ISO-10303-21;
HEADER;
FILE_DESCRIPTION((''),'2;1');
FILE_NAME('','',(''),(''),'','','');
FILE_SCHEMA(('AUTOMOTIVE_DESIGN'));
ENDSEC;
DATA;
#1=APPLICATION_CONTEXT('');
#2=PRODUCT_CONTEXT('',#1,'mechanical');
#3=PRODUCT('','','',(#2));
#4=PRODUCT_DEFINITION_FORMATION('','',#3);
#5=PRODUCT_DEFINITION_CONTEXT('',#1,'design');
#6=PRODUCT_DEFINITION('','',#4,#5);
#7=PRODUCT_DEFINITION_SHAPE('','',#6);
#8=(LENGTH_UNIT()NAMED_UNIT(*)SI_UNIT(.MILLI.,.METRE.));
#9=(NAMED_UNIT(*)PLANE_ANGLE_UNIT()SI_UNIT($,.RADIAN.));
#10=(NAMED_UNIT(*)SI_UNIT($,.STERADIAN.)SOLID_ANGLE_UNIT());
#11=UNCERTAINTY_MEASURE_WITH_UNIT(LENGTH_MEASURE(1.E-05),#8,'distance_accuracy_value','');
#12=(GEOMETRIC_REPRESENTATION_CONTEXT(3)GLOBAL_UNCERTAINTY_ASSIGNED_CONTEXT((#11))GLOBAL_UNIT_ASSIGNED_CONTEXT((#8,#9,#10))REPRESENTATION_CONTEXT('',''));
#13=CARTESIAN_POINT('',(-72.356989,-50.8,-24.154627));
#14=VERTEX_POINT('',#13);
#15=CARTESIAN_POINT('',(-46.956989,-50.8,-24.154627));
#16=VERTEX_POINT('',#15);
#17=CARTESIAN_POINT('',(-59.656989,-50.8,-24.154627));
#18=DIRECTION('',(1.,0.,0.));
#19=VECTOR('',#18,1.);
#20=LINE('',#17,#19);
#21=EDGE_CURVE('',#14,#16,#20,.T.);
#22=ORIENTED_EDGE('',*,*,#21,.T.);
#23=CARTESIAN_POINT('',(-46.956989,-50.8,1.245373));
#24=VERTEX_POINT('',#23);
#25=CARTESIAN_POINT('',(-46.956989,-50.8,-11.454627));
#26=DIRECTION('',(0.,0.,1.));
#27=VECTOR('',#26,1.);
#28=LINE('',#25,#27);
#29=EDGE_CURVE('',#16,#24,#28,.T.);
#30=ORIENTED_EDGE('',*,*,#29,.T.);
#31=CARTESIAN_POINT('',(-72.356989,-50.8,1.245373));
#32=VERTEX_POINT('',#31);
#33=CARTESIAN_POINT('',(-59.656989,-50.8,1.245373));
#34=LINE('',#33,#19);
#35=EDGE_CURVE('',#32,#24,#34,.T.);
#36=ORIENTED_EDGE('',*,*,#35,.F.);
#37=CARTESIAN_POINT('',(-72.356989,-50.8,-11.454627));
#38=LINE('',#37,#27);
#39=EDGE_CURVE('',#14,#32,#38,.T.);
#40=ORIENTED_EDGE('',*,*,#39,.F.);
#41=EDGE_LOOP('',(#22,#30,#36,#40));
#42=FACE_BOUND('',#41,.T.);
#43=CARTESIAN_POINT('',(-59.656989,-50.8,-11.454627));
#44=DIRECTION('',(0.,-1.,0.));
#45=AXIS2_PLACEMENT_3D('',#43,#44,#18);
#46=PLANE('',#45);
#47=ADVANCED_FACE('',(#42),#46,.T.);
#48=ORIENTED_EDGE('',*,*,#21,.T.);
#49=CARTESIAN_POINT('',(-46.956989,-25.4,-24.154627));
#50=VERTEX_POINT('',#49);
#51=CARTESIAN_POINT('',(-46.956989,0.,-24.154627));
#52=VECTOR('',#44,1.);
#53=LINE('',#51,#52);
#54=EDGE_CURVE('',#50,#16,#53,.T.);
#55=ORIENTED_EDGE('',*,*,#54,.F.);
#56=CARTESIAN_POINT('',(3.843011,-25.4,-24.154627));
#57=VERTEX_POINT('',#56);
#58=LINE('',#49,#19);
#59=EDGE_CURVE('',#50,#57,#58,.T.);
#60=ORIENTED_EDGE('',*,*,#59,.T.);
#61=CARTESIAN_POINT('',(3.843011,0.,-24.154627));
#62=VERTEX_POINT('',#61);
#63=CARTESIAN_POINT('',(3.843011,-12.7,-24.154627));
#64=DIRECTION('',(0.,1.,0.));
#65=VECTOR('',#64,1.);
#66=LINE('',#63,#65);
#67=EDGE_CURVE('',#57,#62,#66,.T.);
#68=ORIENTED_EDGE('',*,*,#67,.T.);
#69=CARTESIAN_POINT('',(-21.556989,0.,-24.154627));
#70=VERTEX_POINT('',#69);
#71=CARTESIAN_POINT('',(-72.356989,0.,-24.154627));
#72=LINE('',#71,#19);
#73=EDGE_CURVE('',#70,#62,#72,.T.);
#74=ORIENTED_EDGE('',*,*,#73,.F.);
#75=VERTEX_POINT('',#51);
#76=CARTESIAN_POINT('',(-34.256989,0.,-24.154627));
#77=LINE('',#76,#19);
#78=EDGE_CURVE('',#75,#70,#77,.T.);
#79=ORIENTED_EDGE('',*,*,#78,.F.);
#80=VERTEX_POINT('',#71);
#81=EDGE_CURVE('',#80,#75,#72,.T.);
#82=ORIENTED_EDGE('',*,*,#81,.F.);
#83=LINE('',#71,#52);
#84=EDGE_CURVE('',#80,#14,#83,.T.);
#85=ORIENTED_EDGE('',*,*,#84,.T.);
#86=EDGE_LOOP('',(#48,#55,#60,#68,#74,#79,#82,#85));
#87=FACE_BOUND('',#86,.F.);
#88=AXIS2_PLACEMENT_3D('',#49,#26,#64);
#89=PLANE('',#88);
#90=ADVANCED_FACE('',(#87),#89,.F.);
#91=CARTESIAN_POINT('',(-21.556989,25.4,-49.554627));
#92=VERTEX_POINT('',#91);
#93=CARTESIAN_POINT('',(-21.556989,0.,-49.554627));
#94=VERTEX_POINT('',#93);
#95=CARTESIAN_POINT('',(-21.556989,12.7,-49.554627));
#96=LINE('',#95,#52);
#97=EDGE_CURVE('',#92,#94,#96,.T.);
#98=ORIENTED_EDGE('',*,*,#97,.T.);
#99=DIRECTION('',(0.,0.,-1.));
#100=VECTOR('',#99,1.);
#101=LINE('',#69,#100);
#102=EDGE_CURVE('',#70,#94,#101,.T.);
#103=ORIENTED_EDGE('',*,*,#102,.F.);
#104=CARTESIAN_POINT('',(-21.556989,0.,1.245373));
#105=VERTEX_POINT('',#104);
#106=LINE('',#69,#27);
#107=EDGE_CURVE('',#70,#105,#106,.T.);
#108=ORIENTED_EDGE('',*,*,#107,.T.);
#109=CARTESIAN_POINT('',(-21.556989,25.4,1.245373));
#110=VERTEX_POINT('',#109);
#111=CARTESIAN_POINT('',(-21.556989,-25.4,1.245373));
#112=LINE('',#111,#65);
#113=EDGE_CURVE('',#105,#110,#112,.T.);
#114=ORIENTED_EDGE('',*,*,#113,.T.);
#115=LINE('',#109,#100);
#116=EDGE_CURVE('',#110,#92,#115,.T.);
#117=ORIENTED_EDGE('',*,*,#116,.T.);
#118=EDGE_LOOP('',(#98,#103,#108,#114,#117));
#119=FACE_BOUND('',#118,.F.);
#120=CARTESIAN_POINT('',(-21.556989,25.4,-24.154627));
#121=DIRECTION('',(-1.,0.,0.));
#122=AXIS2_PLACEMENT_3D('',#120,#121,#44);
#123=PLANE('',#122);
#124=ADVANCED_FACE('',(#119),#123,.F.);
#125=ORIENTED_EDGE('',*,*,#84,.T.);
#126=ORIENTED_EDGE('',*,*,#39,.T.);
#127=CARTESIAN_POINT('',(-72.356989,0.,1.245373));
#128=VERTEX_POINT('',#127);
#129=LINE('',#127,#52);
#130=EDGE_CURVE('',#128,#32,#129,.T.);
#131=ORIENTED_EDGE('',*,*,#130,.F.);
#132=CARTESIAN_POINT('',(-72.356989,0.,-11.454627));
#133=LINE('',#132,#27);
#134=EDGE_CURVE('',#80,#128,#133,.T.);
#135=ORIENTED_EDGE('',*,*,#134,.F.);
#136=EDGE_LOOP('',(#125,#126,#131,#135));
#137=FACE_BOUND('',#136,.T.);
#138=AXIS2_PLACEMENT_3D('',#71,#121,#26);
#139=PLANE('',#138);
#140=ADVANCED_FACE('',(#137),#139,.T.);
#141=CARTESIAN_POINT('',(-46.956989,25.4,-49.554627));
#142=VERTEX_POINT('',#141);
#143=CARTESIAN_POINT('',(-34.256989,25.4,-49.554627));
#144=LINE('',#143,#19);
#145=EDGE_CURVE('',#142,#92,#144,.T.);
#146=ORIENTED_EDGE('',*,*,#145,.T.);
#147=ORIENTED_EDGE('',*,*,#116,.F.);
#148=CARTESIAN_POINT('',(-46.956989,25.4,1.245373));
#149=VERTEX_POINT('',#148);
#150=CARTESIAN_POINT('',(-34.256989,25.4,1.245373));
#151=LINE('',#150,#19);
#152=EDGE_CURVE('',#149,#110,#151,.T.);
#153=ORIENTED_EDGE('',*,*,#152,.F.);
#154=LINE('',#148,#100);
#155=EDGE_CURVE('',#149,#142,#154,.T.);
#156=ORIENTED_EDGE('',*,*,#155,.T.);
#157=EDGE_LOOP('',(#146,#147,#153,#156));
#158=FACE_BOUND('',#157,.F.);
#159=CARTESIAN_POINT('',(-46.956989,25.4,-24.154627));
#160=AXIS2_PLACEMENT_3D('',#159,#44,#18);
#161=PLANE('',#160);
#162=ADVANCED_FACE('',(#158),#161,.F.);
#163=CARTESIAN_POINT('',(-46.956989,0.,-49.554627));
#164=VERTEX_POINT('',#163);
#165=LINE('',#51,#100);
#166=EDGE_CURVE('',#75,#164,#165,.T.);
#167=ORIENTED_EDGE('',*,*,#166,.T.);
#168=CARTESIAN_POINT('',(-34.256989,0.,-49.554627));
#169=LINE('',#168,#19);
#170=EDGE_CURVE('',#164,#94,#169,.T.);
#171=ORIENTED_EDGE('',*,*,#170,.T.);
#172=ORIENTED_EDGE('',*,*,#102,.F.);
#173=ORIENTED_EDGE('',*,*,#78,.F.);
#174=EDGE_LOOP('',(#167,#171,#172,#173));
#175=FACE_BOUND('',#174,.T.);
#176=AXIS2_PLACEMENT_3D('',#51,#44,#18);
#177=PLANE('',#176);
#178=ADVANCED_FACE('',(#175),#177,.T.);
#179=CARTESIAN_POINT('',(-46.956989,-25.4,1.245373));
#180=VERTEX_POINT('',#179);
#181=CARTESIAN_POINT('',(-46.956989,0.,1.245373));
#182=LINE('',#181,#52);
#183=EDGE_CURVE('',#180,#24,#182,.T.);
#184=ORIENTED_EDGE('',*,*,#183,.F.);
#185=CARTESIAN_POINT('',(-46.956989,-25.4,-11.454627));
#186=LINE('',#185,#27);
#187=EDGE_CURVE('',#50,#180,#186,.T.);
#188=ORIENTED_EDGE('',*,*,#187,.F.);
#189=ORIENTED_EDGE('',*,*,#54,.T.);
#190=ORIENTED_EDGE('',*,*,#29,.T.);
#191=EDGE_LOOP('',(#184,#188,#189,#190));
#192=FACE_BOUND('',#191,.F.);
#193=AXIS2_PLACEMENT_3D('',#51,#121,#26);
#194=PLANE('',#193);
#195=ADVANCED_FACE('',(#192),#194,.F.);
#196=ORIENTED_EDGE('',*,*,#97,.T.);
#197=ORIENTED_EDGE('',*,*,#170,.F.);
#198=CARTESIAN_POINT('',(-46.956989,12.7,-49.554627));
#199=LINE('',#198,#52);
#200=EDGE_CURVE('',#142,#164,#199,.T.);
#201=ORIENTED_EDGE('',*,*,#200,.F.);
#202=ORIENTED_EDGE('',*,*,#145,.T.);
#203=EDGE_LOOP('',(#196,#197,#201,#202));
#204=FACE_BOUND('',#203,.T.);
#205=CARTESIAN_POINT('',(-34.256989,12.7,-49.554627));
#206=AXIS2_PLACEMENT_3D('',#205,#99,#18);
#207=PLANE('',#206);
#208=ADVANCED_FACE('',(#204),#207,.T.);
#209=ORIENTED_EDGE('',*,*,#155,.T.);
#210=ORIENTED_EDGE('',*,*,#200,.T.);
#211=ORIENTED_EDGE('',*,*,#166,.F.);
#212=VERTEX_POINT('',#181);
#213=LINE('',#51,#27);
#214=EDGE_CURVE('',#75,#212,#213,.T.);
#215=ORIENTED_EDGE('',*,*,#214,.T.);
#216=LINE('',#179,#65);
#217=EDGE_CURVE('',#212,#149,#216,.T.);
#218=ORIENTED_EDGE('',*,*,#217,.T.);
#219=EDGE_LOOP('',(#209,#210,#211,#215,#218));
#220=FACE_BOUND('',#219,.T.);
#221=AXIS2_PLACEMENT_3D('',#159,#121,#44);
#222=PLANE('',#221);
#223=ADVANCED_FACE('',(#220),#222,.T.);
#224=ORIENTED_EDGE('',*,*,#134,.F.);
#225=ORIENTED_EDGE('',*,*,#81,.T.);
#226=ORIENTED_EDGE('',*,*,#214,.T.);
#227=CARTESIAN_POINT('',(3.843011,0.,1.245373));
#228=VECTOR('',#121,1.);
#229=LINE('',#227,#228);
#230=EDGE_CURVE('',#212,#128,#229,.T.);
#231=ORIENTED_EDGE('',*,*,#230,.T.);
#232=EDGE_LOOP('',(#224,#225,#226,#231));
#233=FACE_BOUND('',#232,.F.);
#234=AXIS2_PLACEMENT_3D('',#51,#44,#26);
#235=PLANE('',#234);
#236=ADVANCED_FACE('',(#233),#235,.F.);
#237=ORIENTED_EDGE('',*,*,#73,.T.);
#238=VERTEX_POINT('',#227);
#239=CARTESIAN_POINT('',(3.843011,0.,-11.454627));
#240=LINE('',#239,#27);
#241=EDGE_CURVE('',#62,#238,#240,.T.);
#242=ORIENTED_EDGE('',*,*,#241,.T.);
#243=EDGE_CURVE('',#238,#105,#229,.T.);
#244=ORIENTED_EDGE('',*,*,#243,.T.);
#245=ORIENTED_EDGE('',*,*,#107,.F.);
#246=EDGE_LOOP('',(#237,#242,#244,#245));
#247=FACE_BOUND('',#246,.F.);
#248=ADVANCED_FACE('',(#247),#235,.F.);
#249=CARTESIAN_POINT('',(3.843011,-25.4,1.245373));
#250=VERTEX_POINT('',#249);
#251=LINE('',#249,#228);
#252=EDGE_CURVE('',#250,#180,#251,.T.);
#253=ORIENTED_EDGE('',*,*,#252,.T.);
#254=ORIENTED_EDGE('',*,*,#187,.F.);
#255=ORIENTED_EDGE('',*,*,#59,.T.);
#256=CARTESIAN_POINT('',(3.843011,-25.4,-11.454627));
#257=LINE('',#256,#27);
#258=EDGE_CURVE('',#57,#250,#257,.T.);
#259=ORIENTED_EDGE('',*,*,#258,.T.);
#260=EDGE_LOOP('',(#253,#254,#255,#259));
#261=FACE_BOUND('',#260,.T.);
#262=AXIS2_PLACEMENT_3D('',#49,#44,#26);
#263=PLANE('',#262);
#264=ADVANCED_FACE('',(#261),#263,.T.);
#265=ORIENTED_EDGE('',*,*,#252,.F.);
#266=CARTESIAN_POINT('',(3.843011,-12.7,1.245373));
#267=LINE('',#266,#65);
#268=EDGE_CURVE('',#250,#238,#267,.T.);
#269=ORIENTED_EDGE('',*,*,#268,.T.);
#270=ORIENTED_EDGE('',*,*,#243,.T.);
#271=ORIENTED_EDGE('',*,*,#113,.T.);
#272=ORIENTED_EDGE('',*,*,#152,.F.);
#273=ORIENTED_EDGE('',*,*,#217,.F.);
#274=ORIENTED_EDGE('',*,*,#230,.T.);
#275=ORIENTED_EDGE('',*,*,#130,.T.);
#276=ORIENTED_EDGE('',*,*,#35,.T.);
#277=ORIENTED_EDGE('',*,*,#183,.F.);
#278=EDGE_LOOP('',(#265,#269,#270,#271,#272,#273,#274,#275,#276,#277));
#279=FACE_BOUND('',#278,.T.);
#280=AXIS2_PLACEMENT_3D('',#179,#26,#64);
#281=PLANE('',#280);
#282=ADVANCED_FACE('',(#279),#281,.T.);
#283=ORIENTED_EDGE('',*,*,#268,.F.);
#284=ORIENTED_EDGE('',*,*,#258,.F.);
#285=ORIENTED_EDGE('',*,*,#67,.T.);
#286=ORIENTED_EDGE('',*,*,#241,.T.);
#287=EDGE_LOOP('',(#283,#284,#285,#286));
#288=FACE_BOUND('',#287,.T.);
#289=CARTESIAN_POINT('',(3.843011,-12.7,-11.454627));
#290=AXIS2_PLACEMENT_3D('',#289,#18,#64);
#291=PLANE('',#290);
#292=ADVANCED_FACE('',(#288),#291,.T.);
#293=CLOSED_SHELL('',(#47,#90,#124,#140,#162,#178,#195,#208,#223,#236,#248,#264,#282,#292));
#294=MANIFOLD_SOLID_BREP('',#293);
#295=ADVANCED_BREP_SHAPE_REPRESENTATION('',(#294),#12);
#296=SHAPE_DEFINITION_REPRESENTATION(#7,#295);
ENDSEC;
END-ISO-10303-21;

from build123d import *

# Parameters (mm, degrees)
F0_W     = 25.4
F0_H     = 25.4
F1_DEPTH = 50.8
F2_W     = 25.4
F2_H     = 25.4
F3_DEPTH = 50.8
F4_W     = 25.4
F4_H     = 25.4
F5_DEPTH = 50.8
F6_W     = 25.4
F6_H     = 25.4
F7_DEPTH = 25.4


with BuildPart() as f1:
    # F0 (on Front) → F1 (new body)
    with BuildSketch(Plane.XZ):
        with Locations((-59.656989, -11.454627)):
            Rectangle(F0_W, F0_H)
    extrude(amount=F1_DEPTH)

    # F2 (on face) → F3 (join)
    with BuildSketch(Plane.YZ.offset(-46.956989)):
        with Locations((-12.7, -11.454627)):
            Rectangle(F2_W, F2_H)
    extrude(amount=F3_DEPTH)

    # F4 (on face) → F5 (join)
    with BuildSketch(Plane.XZ.offset(25.4)):
        with Locations((-34.256989, -11.454627)):
            Rectangle(F4_W, F4_H)
    extrude(amount=-F5_DEPTH)

    # F6 (on face) → F7 (join)
    with BuildSketch(Plane(origin=(0, 0, -24.154627), x_dir=(1, 0, 0), z_dir=(0, 0, -1))):
        with Locations((-34.256989, -12.7)):
            Rectangle(F6_W, F6_H)
    extrude(amount=F7_DEPTH)


solid = f1.part
